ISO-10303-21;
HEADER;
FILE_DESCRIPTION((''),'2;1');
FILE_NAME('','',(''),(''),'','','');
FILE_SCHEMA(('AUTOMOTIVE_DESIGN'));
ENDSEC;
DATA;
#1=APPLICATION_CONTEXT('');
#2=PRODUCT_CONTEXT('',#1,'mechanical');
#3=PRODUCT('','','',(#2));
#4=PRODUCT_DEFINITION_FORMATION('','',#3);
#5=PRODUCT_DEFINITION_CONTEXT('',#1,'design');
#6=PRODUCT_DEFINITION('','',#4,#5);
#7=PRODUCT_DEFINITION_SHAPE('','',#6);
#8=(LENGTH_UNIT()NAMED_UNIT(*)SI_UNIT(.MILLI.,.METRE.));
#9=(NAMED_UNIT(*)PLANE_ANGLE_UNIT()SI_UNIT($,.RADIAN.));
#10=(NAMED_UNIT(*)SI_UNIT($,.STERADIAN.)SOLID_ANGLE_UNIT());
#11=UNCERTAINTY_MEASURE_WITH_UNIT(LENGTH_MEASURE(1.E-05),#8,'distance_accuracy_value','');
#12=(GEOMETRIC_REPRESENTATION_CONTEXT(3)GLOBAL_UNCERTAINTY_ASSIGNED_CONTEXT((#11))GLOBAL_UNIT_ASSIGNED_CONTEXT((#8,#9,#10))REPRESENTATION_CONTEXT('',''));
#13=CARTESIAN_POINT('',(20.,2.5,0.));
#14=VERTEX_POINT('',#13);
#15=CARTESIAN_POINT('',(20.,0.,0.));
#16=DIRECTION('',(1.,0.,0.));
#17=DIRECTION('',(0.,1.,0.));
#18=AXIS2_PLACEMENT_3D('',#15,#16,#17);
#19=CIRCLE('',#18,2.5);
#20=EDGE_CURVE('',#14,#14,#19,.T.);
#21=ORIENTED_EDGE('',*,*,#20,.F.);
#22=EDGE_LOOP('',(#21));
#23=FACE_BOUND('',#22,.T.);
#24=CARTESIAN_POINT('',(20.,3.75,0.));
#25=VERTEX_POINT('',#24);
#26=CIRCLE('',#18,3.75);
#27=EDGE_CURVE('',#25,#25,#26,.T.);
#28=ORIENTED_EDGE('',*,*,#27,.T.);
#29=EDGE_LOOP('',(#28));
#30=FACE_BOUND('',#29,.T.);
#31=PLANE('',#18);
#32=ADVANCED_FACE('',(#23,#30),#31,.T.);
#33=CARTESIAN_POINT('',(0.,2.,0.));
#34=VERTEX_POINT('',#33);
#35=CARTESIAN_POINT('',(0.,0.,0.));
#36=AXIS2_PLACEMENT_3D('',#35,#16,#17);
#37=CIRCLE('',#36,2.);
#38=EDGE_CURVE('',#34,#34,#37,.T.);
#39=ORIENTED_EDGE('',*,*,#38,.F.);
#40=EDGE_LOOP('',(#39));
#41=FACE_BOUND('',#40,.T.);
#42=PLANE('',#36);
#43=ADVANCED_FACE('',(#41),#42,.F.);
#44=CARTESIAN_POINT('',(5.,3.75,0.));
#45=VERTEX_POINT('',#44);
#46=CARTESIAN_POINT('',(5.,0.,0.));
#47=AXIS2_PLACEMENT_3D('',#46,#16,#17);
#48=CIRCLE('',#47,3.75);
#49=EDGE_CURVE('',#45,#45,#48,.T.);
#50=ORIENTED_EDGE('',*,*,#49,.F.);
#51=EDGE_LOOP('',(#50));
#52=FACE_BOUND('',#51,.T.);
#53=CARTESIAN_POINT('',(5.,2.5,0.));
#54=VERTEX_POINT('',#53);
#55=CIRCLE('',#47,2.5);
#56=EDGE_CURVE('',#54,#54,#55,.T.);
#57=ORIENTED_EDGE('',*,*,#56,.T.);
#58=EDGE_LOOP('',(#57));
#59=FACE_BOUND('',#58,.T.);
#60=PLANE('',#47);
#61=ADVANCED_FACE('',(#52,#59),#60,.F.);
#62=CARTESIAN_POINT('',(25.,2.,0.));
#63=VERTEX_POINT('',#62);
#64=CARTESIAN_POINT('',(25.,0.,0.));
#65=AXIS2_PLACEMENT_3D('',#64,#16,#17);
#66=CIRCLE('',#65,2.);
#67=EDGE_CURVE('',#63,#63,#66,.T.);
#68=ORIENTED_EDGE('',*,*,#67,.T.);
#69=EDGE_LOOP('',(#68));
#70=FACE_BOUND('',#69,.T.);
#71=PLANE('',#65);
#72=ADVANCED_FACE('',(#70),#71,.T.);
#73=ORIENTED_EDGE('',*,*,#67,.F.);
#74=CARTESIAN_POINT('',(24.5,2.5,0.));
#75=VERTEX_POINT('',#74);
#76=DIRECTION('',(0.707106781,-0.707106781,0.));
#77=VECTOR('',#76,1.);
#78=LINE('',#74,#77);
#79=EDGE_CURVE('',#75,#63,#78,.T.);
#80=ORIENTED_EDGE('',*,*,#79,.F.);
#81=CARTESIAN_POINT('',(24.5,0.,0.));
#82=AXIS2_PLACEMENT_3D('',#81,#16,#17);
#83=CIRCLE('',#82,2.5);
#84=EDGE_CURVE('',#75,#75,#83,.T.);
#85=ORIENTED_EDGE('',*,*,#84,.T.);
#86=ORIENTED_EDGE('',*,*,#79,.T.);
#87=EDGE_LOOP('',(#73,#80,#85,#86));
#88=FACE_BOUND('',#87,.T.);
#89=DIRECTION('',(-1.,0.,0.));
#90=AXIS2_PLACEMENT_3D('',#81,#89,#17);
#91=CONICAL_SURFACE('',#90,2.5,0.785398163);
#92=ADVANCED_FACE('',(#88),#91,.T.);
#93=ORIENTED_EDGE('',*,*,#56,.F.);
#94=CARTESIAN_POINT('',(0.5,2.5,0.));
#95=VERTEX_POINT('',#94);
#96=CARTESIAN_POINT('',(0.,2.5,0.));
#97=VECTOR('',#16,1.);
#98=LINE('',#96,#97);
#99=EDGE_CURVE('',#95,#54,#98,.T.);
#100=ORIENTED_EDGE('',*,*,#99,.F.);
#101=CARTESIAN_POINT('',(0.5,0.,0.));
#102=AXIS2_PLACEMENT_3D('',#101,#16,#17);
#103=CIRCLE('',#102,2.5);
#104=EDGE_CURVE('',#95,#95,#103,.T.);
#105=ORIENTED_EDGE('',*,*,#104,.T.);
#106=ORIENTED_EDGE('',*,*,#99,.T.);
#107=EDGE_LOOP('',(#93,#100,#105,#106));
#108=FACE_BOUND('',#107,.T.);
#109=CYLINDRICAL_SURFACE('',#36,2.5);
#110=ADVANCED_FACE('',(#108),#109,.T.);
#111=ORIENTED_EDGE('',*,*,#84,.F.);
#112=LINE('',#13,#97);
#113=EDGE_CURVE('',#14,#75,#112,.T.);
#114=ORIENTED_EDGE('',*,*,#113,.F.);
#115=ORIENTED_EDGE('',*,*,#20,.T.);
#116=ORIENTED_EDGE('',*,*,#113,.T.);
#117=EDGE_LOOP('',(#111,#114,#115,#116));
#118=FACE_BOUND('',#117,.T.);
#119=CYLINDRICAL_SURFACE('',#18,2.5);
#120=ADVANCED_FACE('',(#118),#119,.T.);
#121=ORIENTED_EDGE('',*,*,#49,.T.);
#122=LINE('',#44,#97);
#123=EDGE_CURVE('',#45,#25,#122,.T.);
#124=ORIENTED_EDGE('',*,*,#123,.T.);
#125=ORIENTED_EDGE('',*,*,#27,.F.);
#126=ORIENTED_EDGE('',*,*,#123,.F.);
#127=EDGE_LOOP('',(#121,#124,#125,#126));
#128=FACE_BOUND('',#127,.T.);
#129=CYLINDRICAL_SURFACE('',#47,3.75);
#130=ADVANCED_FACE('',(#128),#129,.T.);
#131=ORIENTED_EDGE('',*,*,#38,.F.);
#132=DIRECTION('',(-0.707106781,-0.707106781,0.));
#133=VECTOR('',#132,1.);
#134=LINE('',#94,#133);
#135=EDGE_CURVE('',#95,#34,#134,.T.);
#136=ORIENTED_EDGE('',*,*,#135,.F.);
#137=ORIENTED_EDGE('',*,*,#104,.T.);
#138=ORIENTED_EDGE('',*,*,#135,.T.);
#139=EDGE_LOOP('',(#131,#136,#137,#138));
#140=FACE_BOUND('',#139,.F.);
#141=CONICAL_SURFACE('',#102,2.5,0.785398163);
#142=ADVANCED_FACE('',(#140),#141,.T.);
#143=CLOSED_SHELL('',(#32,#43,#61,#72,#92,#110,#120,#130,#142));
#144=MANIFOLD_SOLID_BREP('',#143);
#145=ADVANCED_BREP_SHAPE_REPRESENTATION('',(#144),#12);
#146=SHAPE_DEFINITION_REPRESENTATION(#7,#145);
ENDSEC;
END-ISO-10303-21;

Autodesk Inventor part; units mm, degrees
ref_plane "Startebene" through (0, 0, 0) normal (1, 0, 0) x (0, 1, 0)
ref_plane "XZ Plane" through (0, 0, 0) normal (0, 1, 0) x (-1, 0, 0)
ref_plane "XY Plane" through (0, 0, 0) normal (0, 0, 1) x (1, 0, 0)
sketch "Hauptskizze" plane through (0, 0, 0) normal (0, 0, 1) x (1, 0, 0)
  line L0 (0, 0) -> (25, 0)
  line L1 (0, 0) -> (0, 2.5)
  line L2 (0, 2.5) -> (5, 2.5)
  line L3 (5, 3.75) -> (20, 3.75)
  line L4 (25, 2.5) -> (25, 0)
  line L5 (20, 2.5) -> (25, 2.5)
  line L6 (5, 2.5) -> (5, 3.75)
  line L7 (20, 3.75) -> (20, 2.5)
  dimension "d3" = 5
  dimension "d5" = 7.5
  dimension "d14" = 5
revolve "Umdrehung1" add sketch "Hauptskizze" angle 360 about axis through (0, 0, 0) along (1, 0, 0)
chamfer "Fase3" distance 0.5 angle 45 1 edges at (25, -2.5, 0) measured on face at (21.6667, 2.4676, -0.401)
chamfer "Fase1" distance 0.5 angle 45 1 edges at (0, -2.5, 0) measured on face at (1.6667, 2.4676, -0.401)
properties part number "Welle 5x4+7.5x15+5x4" material "Messing, weicher Gelbton"
